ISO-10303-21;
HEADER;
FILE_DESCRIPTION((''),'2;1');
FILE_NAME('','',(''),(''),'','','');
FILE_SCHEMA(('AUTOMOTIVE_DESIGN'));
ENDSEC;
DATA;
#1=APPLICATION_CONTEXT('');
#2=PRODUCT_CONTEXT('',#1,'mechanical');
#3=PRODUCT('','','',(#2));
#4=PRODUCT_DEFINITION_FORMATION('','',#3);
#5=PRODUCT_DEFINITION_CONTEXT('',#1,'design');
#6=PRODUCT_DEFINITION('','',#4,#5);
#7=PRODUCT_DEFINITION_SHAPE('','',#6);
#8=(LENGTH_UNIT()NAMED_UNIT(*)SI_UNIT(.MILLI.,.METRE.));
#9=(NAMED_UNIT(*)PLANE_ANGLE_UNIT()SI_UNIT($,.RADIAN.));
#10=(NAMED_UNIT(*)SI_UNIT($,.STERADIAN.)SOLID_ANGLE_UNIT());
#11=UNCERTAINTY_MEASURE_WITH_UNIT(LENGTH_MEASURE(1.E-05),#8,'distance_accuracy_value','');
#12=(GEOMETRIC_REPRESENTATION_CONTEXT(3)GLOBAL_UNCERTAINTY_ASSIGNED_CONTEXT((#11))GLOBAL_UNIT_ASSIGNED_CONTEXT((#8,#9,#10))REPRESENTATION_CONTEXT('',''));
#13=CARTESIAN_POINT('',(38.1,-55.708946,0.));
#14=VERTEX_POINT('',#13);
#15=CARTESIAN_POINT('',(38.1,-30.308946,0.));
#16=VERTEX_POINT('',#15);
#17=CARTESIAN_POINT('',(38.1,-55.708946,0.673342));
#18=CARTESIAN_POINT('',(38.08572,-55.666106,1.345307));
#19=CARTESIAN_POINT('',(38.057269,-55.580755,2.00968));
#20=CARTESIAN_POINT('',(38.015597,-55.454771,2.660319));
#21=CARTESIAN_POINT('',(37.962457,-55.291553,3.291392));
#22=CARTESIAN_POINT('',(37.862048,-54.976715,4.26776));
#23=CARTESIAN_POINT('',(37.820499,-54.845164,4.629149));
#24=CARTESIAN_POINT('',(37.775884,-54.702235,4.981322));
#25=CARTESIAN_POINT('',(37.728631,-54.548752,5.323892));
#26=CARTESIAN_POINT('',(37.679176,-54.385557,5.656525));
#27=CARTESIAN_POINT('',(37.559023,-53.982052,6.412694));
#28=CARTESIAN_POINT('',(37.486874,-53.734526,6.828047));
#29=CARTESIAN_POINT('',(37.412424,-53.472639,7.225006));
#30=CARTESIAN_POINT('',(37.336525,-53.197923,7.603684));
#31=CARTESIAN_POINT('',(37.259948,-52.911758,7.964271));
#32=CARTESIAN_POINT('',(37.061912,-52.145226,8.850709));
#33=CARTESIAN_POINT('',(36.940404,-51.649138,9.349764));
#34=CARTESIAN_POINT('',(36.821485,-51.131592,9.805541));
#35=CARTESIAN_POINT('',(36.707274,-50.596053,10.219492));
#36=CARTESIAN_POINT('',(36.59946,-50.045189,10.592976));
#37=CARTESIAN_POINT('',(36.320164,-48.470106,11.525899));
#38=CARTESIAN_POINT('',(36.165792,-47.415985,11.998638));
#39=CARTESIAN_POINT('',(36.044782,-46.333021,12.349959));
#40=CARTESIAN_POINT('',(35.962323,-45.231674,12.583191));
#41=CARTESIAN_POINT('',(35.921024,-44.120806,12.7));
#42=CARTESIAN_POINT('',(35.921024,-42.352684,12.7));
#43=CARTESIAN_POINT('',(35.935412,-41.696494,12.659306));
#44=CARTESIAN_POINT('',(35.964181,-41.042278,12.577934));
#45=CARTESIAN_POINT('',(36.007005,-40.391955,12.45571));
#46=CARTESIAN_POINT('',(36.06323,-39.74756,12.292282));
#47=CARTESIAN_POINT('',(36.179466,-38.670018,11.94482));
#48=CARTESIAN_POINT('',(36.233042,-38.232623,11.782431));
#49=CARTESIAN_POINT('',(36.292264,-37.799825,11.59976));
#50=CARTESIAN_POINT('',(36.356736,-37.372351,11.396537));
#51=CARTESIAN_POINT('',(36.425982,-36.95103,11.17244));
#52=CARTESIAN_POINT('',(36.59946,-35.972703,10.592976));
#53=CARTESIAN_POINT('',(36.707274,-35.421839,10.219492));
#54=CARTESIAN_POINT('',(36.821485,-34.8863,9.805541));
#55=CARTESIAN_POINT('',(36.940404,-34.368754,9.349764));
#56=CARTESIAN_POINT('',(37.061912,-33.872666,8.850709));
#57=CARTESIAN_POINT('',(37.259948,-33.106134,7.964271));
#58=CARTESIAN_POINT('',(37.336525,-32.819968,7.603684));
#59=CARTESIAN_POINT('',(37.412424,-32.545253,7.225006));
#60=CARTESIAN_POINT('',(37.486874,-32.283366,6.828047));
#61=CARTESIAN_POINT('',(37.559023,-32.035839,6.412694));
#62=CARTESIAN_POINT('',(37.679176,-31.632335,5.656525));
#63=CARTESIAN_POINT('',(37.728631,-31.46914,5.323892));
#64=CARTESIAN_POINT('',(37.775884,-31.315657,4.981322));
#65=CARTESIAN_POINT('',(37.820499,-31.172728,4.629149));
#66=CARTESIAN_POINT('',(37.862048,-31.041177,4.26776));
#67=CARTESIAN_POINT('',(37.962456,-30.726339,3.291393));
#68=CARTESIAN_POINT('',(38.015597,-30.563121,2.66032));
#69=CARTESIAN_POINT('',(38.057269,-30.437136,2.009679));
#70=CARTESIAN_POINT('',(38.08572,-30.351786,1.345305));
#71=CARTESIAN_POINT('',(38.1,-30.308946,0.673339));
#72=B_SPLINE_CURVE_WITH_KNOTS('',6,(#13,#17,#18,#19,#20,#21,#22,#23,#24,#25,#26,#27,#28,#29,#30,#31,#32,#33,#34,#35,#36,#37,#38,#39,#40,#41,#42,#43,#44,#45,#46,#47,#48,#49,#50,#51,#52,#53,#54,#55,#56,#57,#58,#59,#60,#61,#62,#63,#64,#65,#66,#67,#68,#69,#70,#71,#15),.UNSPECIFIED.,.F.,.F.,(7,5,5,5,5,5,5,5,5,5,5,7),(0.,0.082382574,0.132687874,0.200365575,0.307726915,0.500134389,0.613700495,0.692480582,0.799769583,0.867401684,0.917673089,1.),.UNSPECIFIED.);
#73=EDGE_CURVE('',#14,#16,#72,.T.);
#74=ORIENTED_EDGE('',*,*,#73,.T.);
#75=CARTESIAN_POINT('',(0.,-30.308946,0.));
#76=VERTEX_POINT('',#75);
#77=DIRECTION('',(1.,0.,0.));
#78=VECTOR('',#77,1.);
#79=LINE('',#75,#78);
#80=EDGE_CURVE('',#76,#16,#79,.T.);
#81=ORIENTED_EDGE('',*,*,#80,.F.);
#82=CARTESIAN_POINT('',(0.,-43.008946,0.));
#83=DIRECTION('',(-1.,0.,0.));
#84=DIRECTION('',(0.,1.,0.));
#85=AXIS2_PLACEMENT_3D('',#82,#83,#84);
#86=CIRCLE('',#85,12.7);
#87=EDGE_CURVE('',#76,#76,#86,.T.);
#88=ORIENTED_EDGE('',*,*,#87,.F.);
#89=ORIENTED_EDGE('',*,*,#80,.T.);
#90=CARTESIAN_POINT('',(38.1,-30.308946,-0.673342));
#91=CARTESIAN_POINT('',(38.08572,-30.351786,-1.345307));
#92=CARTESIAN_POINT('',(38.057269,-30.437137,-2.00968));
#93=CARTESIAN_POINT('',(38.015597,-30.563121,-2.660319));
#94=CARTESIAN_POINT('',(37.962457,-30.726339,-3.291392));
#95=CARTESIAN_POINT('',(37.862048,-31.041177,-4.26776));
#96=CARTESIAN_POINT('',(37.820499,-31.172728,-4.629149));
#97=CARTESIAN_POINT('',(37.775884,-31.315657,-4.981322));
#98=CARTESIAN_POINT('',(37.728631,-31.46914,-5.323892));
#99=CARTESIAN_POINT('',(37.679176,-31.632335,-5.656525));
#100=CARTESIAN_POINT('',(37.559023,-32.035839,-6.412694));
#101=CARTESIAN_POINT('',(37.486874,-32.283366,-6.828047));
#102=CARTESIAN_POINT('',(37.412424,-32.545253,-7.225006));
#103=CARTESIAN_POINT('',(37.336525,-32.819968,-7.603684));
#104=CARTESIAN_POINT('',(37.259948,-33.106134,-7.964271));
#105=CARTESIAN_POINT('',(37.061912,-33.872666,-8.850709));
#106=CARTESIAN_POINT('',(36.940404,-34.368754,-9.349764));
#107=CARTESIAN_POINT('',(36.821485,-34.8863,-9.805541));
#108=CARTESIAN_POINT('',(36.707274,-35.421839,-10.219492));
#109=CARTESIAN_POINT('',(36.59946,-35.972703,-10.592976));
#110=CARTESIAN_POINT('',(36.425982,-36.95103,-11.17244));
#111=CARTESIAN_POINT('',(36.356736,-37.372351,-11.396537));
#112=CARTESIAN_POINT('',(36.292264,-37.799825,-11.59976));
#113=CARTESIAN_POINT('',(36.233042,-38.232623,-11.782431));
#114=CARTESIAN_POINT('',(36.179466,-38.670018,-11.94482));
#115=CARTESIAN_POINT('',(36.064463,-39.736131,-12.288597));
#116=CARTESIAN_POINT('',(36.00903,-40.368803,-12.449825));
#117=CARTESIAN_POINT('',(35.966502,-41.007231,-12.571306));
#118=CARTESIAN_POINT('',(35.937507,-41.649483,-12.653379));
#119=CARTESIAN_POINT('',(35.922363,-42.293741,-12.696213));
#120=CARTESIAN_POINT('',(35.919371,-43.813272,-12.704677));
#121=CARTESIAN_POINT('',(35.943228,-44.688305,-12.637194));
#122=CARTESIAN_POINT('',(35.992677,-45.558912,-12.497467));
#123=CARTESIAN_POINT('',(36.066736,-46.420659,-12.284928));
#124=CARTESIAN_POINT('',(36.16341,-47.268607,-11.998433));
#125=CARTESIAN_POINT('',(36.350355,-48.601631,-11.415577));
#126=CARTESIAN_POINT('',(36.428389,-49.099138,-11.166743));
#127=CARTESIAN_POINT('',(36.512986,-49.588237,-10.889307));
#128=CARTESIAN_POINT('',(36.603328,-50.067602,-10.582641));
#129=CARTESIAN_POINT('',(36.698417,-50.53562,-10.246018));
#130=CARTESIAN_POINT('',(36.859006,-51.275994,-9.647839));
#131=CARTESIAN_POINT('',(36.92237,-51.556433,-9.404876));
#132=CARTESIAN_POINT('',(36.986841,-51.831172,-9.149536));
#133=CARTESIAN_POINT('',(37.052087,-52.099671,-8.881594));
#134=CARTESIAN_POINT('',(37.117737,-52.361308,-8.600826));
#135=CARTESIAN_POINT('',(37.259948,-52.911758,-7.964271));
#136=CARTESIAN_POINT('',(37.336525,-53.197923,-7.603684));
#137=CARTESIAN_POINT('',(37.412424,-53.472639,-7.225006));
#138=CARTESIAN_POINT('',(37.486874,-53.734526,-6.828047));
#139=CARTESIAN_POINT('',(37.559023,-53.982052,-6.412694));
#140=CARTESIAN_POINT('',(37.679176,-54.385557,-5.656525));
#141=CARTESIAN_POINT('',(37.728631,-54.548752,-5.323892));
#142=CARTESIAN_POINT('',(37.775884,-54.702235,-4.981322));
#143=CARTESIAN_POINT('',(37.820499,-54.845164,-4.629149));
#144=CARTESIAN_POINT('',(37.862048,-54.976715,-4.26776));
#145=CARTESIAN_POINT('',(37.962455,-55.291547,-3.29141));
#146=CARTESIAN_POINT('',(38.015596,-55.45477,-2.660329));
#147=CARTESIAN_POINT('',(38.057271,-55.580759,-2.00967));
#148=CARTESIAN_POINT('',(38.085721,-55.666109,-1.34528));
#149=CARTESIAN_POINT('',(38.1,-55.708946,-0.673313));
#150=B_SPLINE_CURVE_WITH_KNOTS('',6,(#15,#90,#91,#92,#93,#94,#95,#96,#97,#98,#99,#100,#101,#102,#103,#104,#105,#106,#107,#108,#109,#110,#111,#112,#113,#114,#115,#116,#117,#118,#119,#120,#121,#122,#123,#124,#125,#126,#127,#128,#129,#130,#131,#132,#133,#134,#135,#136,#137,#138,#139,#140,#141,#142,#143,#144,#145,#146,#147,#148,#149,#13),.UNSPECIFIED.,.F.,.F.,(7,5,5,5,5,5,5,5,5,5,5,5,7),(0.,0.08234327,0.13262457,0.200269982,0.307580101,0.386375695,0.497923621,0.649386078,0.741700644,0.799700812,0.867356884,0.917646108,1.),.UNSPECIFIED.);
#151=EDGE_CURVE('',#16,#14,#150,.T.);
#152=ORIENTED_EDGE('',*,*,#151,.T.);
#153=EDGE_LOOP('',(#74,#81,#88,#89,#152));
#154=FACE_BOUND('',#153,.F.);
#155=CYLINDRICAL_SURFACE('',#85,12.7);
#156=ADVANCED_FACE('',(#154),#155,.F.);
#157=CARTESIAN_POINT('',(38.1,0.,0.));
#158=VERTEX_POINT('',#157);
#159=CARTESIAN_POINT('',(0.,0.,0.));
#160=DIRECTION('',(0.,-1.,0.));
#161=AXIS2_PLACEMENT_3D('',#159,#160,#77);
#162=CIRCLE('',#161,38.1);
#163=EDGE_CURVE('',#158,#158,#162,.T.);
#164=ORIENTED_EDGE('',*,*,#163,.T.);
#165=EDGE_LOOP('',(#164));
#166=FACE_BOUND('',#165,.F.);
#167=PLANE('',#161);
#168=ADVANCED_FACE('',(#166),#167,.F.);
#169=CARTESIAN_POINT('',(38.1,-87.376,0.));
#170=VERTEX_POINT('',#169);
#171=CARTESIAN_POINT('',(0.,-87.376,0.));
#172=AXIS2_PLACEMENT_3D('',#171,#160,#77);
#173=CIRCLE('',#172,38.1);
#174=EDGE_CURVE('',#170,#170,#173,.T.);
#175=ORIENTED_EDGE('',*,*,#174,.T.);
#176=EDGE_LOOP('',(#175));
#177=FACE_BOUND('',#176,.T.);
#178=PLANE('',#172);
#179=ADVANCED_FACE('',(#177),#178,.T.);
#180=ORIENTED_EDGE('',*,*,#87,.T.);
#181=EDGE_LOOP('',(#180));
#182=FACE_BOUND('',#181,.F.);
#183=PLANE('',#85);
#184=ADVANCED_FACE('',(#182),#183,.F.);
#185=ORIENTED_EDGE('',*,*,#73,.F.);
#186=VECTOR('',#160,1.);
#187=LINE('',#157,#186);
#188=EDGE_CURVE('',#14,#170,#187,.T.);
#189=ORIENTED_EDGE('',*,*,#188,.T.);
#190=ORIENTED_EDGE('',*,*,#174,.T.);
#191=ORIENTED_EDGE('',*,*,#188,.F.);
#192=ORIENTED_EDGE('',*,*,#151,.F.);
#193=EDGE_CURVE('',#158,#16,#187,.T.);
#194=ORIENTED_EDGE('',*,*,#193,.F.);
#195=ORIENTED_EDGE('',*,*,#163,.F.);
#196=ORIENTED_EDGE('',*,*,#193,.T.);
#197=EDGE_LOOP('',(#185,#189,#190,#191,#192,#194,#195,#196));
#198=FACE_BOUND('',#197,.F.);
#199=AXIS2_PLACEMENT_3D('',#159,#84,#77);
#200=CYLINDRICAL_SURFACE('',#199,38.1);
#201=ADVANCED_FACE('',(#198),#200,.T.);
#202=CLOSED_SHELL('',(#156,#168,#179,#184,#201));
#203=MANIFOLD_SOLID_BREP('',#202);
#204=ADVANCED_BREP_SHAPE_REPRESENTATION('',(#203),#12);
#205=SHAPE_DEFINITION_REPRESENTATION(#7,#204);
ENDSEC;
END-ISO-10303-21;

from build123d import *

# Parameters (mm, degrees)
F1_DEPTH = 87.376
F3_D     = 25.4
F3_DEPTH = 38.101


with BuildPart() as f1:
    # F0 (on Front) → F1 (new body)
    with BuildSketch(Plane.XZ):
        with BuildLine():
            ThreePointArc((-37.2249856592, -8.1185246613), (4.0827715088, -37.8806147892), (38.1, 0))
            ThreePointArc((38.1, 0), (-4.0827715088, 37.8806147892), (-37.2249856592, -8.1185246613))
        make_face()
    extrude(amount=F1_DEPTH)

    # F3 (through all, one way)
    with BuildSketch(Plane(origin=(0, 0, 0), x_dir=(0, 1, 0), z_dir=(-1, 0, 0))):
        with Locations((-43.0089458823, 0)):
            Circle(F3_D / 2)
    extrude(amount=-F3_DEPTH, mode=Mode.SUBTRACT)


solid = f1.part
